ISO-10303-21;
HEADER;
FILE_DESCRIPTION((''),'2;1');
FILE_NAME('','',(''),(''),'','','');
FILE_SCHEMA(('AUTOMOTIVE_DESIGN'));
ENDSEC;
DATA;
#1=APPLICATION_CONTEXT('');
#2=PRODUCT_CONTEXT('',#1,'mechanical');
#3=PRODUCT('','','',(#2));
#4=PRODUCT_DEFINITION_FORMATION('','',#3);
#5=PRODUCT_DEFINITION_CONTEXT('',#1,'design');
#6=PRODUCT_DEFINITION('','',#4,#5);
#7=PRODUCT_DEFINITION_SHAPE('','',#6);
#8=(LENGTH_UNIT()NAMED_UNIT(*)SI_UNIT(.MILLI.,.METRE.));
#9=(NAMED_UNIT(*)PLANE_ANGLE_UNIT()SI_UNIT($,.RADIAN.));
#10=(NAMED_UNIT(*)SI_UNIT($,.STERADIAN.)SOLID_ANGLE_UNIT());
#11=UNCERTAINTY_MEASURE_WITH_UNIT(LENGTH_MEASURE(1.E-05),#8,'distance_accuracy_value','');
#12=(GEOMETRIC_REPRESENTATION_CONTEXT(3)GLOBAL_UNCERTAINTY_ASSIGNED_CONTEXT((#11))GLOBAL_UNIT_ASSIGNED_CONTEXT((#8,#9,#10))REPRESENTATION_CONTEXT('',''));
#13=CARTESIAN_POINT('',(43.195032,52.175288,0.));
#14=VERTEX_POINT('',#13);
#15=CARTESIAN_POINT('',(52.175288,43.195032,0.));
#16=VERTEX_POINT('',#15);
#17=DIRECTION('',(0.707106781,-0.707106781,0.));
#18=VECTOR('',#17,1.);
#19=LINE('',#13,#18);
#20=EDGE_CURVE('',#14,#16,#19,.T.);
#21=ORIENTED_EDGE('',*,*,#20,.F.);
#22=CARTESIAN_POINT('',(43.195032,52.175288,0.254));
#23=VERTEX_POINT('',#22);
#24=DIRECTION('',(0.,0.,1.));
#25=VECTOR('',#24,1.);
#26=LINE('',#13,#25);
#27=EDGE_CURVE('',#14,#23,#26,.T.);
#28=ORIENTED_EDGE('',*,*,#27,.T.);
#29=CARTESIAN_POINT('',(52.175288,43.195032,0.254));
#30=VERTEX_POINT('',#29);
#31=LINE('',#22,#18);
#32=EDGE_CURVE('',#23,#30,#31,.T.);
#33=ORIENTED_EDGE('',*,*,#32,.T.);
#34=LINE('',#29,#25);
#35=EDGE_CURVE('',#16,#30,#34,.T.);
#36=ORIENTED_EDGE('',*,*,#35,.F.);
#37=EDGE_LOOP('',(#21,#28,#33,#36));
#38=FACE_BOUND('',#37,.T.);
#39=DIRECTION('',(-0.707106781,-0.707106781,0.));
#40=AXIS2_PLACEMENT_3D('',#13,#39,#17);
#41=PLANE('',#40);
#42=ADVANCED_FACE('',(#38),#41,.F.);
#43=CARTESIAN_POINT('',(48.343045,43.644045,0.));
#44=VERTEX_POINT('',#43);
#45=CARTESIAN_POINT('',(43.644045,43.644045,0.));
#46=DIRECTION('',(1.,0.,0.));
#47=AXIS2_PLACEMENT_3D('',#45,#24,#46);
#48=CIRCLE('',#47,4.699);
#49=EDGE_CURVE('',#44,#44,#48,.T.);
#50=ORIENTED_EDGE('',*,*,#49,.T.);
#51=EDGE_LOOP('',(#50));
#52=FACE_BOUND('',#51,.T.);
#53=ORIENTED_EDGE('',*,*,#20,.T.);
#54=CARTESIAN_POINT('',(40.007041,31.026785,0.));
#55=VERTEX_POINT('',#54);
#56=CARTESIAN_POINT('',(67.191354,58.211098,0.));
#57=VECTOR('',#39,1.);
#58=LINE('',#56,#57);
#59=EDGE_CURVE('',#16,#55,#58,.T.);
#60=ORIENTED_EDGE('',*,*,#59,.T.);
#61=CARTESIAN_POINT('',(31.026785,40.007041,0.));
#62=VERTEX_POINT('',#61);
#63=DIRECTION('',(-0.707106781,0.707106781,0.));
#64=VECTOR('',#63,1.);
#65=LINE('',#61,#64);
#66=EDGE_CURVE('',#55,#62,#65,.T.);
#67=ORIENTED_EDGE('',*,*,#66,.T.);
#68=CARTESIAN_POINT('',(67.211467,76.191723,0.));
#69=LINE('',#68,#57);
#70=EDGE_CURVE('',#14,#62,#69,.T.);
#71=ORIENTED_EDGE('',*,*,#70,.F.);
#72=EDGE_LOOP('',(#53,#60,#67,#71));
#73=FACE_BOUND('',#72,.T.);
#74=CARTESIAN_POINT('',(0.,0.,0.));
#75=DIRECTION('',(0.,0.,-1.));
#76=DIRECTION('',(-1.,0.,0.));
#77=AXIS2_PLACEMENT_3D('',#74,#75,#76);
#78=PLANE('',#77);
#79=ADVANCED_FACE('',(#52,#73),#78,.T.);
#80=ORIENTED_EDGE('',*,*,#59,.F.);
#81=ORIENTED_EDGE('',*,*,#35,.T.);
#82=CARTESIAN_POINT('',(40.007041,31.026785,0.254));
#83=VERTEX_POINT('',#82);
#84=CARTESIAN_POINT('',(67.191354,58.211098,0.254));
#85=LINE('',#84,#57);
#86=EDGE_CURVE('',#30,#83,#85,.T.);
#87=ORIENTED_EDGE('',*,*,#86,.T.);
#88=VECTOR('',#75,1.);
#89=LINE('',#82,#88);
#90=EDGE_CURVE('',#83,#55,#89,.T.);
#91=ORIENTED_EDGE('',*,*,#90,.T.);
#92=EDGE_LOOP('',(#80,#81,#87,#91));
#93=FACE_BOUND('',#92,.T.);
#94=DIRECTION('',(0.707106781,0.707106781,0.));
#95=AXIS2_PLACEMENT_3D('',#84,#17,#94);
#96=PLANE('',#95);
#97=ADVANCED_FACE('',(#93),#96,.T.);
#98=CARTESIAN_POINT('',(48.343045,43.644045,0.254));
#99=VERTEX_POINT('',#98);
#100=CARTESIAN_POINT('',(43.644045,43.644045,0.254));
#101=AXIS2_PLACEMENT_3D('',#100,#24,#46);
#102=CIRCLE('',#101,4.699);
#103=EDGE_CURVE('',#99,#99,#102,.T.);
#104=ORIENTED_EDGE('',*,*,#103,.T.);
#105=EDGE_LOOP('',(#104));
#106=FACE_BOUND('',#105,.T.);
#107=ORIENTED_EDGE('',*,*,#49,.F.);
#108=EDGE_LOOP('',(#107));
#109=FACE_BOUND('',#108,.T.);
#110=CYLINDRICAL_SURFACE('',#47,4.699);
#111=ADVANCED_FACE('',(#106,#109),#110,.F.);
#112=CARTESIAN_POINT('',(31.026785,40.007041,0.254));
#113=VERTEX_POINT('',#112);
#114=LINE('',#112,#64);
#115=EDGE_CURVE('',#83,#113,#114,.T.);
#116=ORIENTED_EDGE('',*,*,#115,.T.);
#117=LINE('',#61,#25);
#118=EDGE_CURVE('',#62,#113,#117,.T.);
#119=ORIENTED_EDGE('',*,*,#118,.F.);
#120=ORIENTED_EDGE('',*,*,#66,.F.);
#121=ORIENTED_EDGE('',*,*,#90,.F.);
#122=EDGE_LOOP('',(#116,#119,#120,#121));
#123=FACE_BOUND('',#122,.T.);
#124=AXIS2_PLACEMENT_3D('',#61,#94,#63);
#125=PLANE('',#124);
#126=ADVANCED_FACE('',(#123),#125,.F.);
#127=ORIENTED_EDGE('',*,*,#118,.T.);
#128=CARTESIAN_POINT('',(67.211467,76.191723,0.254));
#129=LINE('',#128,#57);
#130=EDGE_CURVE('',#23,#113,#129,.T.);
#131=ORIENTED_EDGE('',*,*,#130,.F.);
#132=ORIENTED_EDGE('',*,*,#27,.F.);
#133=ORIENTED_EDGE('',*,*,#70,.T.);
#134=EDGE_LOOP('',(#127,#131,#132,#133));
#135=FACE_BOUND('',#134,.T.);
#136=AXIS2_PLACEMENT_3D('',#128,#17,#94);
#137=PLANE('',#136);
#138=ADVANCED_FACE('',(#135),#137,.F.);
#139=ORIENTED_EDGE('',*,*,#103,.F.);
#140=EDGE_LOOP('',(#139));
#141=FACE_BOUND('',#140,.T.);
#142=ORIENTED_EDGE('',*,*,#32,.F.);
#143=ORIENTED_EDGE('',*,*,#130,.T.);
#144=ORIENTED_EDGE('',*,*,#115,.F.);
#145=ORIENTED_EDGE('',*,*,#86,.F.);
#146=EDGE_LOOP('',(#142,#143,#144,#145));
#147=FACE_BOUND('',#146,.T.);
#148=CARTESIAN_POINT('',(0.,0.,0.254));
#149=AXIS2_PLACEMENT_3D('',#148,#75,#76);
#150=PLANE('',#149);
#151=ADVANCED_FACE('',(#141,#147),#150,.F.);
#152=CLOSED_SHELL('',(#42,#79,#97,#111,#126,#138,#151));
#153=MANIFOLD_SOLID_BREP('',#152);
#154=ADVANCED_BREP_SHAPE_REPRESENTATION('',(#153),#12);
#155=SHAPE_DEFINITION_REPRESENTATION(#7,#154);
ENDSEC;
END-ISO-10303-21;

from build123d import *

# Parameters (mm, degrees)
BOSS_EXTRUDE1_DEPTH = 0.254
SKETCH2_R           = 4.699
CUT_EXTRUDE1_DEPTH  = 1.254
SKETCH3_W           = 2.54
SKETCH3_H           = 0.635
CUT_EXTRUDE2_DEPTH  = 1.254
SKETCH5_OUTSIDE_W   = 121.447
SKETCH5_OUTSIDE_H   = 109.618
CUT_EXTRUDE5_DEPTH  = 1.254


with BuildPart() as part:
    # Sketch1 → Boss-Extrude1 (new body)
    with BuildSketch(Plane.XY):
        with BuildLine():
            Line((67.21146711, 76.191723231), (8.696654013, 17.676910134))
            Line((8.696654013, 17.676910134), (7.228954972, 14.133571205))
            ThreePointArc((7.228954972, 14.133571205), (14.666587579, 6.075099489), (15.105587123, -4.88230096))
            Line((15.105587123, -4.88230096), (18.648926052, -6.35))
            Line((18.648926052, -6.35), (101.401368334, -6.35))
            ThreePointArc((101.401368334, -6.35), (93.866160503, 38.880636728), (67.21146711, 76.191723231))
        make_face()
        with BuildLine():
            Line((88.672924278, 6.35), (27.86051193, 6.35))
            ThreePointArc((27.86051193, 6.35), (26.399857642, 10.93517908), (24.190484974, 15.210228852))
            Line((24.190484974, 15.210228852), (67.191354125, 58.211098004))
            ThreePointArc((67.191354125, 58.211098004), (82.13289044, 34.020557137), (88.672924278, 6.35))
        make_face(mode=Mode.SUBTRACT)
    extrude(amount=BOSS_EXTRUDE1_DEPTH)

    # Sketch2 → Cut-Extrude1 (cut, through all)
    with BuildSketch(Plane.XY.offset(0.254)):
        with Locations((22.225, 0)):
            Circle(SKETCH2_R)
        with Locations((36.195, 0)):
            Circle(SKETCH2_R)
        with Locations((61.722, 0)):
            Circle(SKETCH2_R)
        with Locations((75.692, 0)):
            Circle(SKETCH2_R)
        with Locations((95.25, 0)):
            Circle(SKETCH2_R)
        with Locations((15.715448212, 15.715448212)):
            Circle(SKETCH2_R)
        with Locations((25.593729945, 25.593729945)):
            Circle(SKETCH2_R)
        with Locations((43.644044748, 43.644044748)):
            Circle(SKETCH2_R)
        with Locations((53.522326482, 53.522326482)):
            Circle(SKETCH2_R)
        with Locations((92.004434954, 24.652514046)):
            Circle(SKETCH2_R)
        with Locations((82.48891971, 47.625)):
            Circle(SKETCH2_R)
        with Locations((67.351920908, 67.351920908)):
            Circle(SKETCH2_R)
    extrude(amount=-CUT_EXTRUDE1_DEPTH, mode=Mode.SUBTRACT)

    # Sketch3 → Cut-Extrude2 (cut, through all)
    with BuildSketch(Plane.XY.offset(0.254)):
        Polygon((15.266435406, 24.246691527), (17.06248663, 26.042742751), (17.511499436, 25.593729945), (15.715448212, 23.797678721), align=None)
        Polygon((44.991083167, 53.971339288), (43.195031942, 52.175288063), (43.644044748, 51.726275257), (45.440095973, 53.522326482), align=None)
        with Locations((29.21, -6.0325)):
            Rectangle(SKETCH3_W, SKETCH3_H)
        with Locations((68.707, -6.0325)):
            Rectangle(SKETCH3_W, SKETCH3_H)
        Polygon((29.230733674, 38.210989795), (31.026784898, 40.007041019), (31.475797704, 39.558028213), (29.67974648, 37.761976989), align=None)
        Polygon((56.845021246, 65.825277367), (55.048970022, 64.029226143), (55.497982828, 63.580213337), (57.294034052, 65.376264561), align=None)
        with Locations((48.9585, -6.0325)):
            Rectangle(SKETCH3_W, SKETCH3_H)
        with Locations((85.471, -6.0325)):
            Rectangle(SKETCH3_W, SKETCH3_H)
        Polygon((99.935462164, 14.437711971), (100.266998693, 11.919442024), (101.526133667, 12.085210288), (101.194597138, 14.603480236), align=None)
        Polygon((93.765504959, 37.464305742), (94.938831965, 37.950313702), (93.966816047, 40.296967714), (92.793489041, 39.810959755), align=None)
        Polygon((79.327792988, 62.471156422), (80.874047017, 60.456038938), (81.88160576, 61.229165953), (80.33535173, 63.244283437), align=None)
        Polygon((13.593916116, 7.005422516), (14.565932035, 4.658768503), (15.739259041, 5.144776462), (14.767243123, 7.491430475), align=None)
    extrude(amount=-CUT_EXTRUDE2_DEPTH, mode=Mode.SUBTRACT)

    # Sketch5 outside → Cut-Extrude5 (cut, through all)
    with BuildSketch(Plane.XY.offset(0.254)):
        with Locations((54.4145, 34.921)):
            Rectangle(SKETCH5_OUTSIDE_W, SKETCH5_OUTSIDE_H)
        Polygon((30.128759286, 40.905066631), (42.29700633, 53.073313676), (53.073313676, 42.29700633), (40.905066631, 30.128759286), align=None, mode=Mode.SUBTRACT)
    extrude(amount=-CUT_EXTRUDE5_DEPTH, mode=Mode.SUBTRACT)


solid = part.part
